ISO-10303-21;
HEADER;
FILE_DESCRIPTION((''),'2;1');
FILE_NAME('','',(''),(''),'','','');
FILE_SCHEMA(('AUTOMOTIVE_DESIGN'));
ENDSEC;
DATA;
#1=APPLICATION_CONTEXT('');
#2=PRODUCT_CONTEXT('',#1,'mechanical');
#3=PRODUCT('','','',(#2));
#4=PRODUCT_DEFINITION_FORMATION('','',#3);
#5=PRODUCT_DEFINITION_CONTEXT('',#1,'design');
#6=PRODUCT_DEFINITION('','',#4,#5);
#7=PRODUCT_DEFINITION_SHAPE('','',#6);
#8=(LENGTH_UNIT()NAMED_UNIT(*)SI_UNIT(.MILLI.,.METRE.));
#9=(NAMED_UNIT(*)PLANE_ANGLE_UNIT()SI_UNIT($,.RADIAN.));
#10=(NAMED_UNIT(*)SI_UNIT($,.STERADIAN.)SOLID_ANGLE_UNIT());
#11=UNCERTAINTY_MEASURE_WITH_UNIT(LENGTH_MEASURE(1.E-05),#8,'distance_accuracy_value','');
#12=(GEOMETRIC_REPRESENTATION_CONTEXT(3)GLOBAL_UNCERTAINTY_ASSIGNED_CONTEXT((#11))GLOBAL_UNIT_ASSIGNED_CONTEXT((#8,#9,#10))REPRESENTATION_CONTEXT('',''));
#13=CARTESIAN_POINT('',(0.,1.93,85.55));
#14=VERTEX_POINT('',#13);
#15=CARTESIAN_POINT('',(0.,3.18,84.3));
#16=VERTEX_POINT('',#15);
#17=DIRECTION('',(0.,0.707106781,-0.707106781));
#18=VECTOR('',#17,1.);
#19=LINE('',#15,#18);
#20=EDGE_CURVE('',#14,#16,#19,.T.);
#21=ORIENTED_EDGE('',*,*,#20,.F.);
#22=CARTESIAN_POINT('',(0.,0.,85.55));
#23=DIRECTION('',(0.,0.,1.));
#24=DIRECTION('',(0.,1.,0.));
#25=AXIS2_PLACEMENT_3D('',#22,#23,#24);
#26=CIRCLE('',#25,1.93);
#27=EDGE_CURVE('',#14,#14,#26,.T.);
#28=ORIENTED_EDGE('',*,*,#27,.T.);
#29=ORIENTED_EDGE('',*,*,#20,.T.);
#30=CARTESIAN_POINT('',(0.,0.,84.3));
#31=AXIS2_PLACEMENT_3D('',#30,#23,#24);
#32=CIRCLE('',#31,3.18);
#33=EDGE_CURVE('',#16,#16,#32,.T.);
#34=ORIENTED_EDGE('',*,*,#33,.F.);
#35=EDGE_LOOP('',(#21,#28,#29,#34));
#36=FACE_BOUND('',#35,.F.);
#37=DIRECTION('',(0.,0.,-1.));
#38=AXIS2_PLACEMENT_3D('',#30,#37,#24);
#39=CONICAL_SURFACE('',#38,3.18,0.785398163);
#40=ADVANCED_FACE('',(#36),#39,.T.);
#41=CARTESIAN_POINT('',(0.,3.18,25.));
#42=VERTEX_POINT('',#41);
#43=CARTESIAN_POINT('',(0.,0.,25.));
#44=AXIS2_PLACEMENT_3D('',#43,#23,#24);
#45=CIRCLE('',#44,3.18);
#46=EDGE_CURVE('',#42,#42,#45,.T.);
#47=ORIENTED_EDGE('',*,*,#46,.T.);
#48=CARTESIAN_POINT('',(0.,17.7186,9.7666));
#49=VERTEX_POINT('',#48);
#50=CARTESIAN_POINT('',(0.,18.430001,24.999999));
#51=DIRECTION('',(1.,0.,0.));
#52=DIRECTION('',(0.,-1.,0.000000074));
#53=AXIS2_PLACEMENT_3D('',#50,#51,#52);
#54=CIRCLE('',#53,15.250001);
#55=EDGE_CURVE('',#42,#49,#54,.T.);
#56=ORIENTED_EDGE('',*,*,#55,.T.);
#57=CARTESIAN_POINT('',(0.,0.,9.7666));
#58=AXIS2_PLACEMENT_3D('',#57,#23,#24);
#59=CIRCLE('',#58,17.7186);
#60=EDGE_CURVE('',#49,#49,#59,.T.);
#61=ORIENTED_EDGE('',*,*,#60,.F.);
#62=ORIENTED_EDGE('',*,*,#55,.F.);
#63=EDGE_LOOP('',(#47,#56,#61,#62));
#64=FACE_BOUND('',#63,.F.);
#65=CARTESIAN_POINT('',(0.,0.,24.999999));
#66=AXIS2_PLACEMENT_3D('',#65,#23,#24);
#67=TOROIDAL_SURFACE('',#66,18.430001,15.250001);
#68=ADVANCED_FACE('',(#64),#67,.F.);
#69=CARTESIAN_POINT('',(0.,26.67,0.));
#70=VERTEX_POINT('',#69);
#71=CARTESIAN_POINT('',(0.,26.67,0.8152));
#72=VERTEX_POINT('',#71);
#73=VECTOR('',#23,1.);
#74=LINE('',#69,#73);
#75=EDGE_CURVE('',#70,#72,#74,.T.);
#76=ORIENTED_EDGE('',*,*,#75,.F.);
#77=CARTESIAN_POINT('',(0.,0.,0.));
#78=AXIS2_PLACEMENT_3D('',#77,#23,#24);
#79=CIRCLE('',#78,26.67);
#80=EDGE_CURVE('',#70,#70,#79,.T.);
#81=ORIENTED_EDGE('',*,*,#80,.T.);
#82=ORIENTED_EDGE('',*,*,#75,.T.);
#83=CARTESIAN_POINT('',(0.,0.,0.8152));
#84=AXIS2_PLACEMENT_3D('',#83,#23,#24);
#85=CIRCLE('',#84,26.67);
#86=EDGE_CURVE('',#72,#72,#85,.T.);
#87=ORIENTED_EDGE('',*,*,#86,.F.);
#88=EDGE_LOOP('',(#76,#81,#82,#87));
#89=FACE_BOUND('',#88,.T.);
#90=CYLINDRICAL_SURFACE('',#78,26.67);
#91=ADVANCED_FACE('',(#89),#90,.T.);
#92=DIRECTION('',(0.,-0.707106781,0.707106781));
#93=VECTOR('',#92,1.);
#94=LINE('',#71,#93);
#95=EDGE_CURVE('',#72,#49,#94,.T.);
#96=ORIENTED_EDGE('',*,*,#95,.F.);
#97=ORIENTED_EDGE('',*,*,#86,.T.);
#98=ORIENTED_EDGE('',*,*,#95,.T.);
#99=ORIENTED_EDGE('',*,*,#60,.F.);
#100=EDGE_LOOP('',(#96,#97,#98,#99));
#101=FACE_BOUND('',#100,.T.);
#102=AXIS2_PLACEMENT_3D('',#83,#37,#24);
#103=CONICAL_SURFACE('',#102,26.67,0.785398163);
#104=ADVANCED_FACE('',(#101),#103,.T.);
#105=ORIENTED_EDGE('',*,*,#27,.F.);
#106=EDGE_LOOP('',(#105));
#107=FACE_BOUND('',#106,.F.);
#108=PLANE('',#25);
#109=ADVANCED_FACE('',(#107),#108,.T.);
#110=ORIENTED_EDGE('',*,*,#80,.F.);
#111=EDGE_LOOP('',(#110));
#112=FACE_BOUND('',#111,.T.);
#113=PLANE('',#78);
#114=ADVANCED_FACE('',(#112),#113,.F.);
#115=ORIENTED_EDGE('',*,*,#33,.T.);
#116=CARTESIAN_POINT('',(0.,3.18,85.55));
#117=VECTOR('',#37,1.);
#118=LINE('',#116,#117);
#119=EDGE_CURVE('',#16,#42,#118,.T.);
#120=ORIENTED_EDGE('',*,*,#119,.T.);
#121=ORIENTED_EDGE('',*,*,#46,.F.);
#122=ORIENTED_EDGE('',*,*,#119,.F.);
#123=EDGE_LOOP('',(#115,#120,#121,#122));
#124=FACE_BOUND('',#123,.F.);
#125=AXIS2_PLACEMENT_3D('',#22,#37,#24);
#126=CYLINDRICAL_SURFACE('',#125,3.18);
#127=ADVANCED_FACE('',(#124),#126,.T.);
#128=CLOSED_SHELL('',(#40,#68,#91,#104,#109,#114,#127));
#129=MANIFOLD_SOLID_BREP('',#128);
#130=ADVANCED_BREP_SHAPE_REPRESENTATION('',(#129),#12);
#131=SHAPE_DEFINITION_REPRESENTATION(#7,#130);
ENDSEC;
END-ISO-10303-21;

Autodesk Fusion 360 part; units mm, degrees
sketch "Sketch1" plane through (0, 0, 0) normal (0, 1, 0) x (1, 0, 0)
sketch "Sketch2" plane through (0, 0, 0) normal (1, 0, 0) x (0, 1, 0)
sketch "Sketch3" plane through (0, 0, 0) normal (1, 0, 0) x (0, 1, 0)
  line L0 (0, 0) -> (0, 85.55)
  line L1 (0, 0) -> (26.67, 0)
  line L2 (26.67, 0) -> (26.67, 0.8152)
  line L3 (26.67, 0.8152) -> (17.7186, 9.7666)
  line L4 (0, 85.55) -> (3.18, 85.55)
  line L5 (3.18, 85.55) -> (3.18, 25)
  arc A0 (3.18, 25) -> (17.7186, 9.7666) centre (18.43, 25) ccw
revolve "Revolve1" add sketch "Sketch3" angle 360 about axis through (0, 0, 0) along (0, 0, 1)
chamfer "Chamfer1" distance 1.25 angle 45 1 edges at (-2.9648, 1.1499, 85.55)
